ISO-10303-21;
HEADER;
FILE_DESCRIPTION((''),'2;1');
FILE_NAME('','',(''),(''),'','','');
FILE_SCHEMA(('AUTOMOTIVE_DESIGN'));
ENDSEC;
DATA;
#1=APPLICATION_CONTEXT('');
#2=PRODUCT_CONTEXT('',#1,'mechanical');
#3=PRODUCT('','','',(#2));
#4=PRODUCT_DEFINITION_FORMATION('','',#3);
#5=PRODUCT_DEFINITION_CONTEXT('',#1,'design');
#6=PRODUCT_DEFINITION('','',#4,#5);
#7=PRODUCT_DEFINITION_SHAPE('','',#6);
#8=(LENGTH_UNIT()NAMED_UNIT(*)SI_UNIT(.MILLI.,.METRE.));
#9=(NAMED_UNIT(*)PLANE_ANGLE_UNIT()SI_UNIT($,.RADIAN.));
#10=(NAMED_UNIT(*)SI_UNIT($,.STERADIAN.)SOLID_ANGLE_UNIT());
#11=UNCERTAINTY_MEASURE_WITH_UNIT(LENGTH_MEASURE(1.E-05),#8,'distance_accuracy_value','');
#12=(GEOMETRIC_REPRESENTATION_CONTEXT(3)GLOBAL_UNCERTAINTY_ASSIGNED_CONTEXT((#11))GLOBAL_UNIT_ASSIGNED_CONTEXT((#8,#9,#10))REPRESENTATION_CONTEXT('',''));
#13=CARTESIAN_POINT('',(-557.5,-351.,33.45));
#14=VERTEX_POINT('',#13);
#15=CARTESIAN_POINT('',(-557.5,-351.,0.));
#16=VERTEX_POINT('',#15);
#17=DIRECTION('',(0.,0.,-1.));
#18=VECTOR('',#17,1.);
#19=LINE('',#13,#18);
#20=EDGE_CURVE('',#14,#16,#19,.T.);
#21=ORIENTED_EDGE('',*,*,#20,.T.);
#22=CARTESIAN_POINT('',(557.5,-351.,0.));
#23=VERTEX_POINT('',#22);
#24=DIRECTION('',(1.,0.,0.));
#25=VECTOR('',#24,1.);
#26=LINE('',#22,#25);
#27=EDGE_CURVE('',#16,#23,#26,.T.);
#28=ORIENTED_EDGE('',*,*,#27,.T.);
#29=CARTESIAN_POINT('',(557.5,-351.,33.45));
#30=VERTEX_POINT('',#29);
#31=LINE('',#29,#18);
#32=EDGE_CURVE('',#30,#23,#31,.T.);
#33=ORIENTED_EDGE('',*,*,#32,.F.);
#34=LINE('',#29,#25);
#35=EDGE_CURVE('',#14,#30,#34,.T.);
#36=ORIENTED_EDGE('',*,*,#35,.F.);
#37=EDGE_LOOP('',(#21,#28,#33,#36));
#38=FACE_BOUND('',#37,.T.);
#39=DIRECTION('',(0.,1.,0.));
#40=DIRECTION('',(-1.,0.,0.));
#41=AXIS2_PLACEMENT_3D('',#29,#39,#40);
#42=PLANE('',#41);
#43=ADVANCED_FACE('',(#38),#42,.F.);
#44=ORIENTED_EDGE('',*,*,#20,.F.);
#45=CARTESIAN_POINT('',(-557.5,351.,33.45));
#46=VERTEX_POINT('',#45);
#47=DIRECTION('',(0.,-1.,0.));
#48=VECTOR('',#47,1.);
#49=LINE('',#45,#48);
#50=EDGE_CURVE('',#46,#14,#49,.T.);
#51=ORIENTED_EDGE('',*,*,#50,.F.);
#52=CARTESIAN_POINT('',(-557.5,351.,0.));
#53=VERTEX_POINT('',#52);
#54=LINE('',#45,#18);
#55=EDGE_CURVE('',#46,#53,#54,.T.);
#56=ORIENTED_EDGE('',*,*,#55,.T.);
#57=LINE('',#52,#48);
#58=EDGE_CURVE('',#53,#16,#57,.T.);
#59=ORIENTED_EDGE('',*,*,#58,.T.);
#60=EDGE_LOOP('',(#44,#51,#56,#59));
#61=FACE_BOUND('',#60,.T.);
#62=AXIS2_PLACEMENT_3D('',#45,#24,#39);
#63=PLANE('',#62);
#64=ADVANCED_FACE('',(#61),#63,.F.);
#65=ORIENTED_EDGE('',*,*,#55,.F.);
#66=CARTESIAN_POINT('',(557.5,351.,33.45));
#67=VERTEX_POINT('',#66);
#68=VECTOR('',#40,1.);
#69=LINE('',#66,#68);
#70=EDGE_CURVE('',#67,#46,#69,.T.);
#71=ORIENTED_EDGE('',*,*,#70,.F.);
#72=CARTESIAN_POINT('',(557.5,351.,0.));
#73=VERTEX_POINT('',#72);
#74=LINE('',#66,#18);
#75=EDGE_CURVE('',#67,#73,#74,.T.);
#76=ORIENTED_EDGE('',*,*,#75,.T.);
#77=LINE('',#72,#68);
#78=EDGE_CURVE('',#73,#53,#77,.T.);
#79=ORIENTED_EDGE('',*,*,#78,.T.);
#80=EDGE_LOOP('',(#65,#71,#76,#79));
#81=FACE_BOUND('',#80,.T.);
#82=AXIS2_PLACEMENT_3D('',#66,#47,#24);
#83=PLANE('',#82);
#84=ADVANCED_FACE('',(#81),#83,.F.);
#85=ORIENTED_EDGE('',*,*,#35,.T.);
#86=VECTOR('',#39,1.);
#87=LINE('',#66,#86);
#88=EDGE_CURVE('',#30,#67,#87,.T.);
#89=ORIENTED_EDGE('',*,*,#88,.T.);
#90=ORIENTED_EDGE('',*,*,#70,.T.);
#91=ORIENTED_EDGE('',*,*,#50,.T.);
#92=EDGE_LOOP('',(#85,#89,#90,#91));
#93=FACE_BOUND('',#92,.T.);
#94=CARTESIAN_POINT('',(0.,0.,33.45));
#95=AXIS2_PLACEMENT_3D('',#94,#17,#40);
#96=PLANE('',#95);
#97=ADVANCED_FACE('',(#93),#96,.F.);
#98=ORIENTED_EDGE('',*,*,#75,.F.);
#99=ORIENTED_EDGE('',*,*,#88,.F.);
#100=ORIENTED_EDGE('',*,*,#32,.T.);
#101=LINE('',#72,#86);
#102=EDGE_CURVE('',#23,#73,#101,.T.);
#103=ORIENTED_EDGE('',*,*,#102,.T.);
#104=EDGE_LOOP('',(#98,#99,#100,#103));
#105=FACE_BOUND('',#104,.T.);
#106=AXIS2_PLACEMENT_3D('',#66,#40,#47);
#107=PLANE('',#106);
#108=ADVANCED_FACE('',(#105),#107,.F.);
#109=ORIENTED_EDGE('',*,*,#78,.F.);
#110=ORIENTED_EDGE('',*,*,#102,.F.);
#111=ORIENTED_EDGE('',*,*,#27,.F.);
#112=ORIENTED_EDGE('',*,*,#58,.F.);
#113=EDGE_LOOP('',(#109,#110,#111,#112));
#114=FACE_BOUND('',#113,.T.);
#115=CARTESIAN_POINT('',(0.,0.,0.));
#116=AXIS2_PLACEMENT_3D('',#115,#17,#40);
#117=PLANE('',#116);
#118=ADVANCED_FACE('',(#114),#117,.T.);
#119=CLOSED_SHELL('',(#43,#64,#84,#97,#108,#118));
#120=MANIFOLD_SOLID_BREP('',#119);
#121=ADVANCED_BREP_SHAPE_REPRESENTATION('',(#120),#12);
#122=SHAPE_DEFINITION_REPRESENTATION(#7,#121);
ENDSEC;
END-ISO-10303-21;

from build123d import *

# Parameters (mm, degrees)
SKETCH1_W           = 1115
SKETCH1_H           = 702
BOSS_EXTRUDE1_DEPTH = 33.45


with BuildPart() as part:
    # Sketch1 → Boss-Extrude1 (new body)
    with BuildSketch(Plane.XY):
        Rectangle(SKETCH1_W, SKETCH1_H)
    extrude(amount=BOSS_EXTRUDE1_DEPTH)


solid = part.part
